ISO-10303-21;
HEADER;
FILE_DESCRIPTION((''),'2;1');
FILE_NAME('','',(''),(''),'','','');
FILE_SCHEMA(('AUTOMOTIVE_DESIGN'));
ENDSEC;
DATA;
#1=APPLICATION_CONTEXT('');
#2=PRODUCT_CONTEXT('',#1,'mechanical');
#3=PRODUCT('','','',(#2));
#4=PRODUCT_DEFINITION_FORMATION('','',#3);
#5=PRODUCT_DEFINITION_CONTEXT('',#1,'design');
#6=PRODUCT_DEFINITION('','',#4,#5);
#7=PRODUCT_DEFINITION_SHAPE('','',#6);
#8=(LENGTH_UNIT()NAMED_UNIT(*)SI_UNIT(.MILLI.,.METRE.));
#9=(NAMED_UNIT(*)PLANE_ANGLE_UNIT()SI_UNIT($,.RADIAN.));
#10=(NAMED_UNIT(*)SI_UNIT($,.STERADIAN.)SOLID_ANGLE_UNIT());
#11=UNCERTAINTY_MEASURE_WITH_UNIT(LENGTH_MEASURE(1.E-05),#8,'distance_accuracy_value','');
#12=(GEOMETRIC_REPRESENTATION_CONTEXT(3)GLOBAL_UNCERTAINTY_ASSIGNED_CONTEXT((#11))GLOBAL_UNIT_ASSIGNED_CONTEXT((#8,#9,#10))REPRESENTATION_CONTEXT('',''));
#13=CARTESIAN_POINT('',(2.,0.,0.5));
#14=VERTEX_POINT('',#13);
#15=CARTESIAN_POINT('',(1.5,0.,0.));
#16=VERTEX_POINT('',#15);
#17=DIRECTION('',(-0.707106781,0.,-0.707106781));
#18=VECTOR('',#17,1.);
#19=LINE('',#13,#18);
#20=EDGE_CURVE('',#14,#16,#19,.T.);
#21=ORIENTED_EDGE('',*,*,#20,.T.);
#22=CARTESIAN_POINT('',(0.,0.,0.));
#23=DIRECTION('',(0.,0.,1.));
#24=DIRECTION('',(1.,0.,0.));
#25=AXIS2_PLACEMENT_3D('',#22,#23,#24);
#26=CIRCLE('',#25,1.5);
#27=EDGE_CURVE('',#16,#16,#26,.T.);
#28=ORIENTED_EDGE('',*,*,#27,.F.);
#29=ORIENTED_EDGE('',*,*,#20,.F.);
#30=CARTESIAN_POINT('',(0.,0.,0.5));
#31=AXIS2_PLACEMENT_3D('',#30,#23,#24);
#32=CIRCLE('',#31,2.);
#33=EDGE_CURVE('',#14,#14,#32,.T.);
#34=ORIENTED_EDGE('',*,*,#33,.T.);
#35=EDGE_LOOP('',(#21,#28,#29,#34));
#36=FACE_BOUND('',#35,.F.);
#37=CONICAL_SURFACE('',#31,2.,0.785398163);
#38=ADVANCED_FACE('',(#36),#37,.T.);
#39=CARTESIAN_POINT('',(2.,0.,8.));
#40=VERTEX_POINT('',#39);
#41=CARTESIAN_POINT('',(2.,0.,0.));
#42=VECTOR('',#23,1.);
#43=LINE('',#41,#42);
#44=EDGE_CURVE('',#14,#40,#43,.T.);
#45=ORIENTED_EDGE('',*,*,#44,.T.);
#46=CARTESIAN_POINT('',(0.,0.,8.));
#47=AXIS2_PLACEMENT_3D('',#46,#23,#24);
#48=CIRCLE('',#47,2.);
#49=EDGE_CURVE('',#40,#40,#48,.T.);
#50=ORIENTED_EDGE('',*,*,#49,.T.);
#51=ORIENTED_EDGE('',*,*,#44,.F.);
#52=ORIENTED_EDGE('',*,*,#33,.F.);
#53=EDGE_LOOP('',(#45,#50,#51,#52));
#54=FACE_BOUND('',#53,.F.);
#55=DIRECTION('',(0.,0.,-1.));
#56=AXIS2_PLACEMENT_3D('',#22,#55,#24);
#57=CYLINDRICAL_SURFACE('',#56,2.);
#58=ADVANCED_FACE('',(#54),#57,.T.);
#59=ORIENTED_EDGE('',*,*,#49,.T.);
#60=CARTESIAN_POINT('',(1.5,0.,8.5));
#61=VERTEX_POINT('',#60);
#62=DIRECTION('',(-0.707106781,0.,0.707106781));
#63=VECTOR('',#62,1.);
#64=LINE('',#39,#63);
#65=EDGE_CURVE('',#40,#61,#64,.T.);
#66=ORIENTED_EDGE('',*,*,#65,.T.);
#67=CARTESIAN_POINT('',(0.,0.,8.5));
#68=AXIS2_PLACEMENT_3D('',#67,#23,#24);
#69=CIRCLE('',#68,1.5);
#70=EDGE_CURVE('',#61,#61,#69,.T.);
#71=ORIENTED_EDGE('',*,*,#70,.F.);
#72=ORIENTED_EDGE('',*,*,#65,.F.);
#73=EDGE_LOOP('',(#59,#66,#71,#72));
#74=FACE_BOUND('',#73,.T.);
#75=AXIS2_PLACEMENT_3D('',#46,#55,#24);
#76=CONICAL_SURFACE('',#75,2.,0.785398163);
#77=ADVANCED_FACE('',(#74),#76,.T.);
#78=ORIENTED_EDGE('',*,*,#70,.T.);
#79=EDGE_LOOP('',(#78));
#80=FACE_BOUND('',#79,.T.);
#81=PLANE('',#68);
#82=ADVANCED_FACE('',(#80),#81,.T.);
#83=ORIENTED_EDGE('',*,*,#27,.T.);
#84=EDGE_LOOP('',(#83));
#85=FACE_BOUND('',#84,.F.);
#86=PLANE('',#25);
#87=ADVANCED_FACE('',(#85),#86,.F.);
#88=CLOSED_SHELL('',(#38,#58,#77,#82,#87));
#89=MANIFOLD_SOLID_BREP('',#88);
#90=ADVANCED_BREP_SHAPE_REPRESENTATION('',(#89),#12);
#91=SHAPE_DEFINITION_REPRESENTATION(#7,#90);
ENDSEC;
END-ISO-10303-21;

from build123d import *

# Parameters (mm, degrees)
SKETCH_1_R      = 2
EXTRUDE_1_DEPTH = 8.5
CHAMFER_1_SIZE  = 0.5


with BuildPart() as part:
    # 草图1 → 拉伸1 (new body)
    with BuildSketch(Plane.XY):
        Circle(SKETCH_1_R)
    extrude(amount=EXTRUDE_1_DEPTH)

    # 倒角1
    chamfer_1_edges = [part.edges().sort_by_distance(p)[0] for p in [
        (-2, 0, 0),
        (-2, 0, 8.5),
    ]]
    chamfer(chamfer_1_edges, length=CHAMFER_1_SIZE)


solid = part.part
